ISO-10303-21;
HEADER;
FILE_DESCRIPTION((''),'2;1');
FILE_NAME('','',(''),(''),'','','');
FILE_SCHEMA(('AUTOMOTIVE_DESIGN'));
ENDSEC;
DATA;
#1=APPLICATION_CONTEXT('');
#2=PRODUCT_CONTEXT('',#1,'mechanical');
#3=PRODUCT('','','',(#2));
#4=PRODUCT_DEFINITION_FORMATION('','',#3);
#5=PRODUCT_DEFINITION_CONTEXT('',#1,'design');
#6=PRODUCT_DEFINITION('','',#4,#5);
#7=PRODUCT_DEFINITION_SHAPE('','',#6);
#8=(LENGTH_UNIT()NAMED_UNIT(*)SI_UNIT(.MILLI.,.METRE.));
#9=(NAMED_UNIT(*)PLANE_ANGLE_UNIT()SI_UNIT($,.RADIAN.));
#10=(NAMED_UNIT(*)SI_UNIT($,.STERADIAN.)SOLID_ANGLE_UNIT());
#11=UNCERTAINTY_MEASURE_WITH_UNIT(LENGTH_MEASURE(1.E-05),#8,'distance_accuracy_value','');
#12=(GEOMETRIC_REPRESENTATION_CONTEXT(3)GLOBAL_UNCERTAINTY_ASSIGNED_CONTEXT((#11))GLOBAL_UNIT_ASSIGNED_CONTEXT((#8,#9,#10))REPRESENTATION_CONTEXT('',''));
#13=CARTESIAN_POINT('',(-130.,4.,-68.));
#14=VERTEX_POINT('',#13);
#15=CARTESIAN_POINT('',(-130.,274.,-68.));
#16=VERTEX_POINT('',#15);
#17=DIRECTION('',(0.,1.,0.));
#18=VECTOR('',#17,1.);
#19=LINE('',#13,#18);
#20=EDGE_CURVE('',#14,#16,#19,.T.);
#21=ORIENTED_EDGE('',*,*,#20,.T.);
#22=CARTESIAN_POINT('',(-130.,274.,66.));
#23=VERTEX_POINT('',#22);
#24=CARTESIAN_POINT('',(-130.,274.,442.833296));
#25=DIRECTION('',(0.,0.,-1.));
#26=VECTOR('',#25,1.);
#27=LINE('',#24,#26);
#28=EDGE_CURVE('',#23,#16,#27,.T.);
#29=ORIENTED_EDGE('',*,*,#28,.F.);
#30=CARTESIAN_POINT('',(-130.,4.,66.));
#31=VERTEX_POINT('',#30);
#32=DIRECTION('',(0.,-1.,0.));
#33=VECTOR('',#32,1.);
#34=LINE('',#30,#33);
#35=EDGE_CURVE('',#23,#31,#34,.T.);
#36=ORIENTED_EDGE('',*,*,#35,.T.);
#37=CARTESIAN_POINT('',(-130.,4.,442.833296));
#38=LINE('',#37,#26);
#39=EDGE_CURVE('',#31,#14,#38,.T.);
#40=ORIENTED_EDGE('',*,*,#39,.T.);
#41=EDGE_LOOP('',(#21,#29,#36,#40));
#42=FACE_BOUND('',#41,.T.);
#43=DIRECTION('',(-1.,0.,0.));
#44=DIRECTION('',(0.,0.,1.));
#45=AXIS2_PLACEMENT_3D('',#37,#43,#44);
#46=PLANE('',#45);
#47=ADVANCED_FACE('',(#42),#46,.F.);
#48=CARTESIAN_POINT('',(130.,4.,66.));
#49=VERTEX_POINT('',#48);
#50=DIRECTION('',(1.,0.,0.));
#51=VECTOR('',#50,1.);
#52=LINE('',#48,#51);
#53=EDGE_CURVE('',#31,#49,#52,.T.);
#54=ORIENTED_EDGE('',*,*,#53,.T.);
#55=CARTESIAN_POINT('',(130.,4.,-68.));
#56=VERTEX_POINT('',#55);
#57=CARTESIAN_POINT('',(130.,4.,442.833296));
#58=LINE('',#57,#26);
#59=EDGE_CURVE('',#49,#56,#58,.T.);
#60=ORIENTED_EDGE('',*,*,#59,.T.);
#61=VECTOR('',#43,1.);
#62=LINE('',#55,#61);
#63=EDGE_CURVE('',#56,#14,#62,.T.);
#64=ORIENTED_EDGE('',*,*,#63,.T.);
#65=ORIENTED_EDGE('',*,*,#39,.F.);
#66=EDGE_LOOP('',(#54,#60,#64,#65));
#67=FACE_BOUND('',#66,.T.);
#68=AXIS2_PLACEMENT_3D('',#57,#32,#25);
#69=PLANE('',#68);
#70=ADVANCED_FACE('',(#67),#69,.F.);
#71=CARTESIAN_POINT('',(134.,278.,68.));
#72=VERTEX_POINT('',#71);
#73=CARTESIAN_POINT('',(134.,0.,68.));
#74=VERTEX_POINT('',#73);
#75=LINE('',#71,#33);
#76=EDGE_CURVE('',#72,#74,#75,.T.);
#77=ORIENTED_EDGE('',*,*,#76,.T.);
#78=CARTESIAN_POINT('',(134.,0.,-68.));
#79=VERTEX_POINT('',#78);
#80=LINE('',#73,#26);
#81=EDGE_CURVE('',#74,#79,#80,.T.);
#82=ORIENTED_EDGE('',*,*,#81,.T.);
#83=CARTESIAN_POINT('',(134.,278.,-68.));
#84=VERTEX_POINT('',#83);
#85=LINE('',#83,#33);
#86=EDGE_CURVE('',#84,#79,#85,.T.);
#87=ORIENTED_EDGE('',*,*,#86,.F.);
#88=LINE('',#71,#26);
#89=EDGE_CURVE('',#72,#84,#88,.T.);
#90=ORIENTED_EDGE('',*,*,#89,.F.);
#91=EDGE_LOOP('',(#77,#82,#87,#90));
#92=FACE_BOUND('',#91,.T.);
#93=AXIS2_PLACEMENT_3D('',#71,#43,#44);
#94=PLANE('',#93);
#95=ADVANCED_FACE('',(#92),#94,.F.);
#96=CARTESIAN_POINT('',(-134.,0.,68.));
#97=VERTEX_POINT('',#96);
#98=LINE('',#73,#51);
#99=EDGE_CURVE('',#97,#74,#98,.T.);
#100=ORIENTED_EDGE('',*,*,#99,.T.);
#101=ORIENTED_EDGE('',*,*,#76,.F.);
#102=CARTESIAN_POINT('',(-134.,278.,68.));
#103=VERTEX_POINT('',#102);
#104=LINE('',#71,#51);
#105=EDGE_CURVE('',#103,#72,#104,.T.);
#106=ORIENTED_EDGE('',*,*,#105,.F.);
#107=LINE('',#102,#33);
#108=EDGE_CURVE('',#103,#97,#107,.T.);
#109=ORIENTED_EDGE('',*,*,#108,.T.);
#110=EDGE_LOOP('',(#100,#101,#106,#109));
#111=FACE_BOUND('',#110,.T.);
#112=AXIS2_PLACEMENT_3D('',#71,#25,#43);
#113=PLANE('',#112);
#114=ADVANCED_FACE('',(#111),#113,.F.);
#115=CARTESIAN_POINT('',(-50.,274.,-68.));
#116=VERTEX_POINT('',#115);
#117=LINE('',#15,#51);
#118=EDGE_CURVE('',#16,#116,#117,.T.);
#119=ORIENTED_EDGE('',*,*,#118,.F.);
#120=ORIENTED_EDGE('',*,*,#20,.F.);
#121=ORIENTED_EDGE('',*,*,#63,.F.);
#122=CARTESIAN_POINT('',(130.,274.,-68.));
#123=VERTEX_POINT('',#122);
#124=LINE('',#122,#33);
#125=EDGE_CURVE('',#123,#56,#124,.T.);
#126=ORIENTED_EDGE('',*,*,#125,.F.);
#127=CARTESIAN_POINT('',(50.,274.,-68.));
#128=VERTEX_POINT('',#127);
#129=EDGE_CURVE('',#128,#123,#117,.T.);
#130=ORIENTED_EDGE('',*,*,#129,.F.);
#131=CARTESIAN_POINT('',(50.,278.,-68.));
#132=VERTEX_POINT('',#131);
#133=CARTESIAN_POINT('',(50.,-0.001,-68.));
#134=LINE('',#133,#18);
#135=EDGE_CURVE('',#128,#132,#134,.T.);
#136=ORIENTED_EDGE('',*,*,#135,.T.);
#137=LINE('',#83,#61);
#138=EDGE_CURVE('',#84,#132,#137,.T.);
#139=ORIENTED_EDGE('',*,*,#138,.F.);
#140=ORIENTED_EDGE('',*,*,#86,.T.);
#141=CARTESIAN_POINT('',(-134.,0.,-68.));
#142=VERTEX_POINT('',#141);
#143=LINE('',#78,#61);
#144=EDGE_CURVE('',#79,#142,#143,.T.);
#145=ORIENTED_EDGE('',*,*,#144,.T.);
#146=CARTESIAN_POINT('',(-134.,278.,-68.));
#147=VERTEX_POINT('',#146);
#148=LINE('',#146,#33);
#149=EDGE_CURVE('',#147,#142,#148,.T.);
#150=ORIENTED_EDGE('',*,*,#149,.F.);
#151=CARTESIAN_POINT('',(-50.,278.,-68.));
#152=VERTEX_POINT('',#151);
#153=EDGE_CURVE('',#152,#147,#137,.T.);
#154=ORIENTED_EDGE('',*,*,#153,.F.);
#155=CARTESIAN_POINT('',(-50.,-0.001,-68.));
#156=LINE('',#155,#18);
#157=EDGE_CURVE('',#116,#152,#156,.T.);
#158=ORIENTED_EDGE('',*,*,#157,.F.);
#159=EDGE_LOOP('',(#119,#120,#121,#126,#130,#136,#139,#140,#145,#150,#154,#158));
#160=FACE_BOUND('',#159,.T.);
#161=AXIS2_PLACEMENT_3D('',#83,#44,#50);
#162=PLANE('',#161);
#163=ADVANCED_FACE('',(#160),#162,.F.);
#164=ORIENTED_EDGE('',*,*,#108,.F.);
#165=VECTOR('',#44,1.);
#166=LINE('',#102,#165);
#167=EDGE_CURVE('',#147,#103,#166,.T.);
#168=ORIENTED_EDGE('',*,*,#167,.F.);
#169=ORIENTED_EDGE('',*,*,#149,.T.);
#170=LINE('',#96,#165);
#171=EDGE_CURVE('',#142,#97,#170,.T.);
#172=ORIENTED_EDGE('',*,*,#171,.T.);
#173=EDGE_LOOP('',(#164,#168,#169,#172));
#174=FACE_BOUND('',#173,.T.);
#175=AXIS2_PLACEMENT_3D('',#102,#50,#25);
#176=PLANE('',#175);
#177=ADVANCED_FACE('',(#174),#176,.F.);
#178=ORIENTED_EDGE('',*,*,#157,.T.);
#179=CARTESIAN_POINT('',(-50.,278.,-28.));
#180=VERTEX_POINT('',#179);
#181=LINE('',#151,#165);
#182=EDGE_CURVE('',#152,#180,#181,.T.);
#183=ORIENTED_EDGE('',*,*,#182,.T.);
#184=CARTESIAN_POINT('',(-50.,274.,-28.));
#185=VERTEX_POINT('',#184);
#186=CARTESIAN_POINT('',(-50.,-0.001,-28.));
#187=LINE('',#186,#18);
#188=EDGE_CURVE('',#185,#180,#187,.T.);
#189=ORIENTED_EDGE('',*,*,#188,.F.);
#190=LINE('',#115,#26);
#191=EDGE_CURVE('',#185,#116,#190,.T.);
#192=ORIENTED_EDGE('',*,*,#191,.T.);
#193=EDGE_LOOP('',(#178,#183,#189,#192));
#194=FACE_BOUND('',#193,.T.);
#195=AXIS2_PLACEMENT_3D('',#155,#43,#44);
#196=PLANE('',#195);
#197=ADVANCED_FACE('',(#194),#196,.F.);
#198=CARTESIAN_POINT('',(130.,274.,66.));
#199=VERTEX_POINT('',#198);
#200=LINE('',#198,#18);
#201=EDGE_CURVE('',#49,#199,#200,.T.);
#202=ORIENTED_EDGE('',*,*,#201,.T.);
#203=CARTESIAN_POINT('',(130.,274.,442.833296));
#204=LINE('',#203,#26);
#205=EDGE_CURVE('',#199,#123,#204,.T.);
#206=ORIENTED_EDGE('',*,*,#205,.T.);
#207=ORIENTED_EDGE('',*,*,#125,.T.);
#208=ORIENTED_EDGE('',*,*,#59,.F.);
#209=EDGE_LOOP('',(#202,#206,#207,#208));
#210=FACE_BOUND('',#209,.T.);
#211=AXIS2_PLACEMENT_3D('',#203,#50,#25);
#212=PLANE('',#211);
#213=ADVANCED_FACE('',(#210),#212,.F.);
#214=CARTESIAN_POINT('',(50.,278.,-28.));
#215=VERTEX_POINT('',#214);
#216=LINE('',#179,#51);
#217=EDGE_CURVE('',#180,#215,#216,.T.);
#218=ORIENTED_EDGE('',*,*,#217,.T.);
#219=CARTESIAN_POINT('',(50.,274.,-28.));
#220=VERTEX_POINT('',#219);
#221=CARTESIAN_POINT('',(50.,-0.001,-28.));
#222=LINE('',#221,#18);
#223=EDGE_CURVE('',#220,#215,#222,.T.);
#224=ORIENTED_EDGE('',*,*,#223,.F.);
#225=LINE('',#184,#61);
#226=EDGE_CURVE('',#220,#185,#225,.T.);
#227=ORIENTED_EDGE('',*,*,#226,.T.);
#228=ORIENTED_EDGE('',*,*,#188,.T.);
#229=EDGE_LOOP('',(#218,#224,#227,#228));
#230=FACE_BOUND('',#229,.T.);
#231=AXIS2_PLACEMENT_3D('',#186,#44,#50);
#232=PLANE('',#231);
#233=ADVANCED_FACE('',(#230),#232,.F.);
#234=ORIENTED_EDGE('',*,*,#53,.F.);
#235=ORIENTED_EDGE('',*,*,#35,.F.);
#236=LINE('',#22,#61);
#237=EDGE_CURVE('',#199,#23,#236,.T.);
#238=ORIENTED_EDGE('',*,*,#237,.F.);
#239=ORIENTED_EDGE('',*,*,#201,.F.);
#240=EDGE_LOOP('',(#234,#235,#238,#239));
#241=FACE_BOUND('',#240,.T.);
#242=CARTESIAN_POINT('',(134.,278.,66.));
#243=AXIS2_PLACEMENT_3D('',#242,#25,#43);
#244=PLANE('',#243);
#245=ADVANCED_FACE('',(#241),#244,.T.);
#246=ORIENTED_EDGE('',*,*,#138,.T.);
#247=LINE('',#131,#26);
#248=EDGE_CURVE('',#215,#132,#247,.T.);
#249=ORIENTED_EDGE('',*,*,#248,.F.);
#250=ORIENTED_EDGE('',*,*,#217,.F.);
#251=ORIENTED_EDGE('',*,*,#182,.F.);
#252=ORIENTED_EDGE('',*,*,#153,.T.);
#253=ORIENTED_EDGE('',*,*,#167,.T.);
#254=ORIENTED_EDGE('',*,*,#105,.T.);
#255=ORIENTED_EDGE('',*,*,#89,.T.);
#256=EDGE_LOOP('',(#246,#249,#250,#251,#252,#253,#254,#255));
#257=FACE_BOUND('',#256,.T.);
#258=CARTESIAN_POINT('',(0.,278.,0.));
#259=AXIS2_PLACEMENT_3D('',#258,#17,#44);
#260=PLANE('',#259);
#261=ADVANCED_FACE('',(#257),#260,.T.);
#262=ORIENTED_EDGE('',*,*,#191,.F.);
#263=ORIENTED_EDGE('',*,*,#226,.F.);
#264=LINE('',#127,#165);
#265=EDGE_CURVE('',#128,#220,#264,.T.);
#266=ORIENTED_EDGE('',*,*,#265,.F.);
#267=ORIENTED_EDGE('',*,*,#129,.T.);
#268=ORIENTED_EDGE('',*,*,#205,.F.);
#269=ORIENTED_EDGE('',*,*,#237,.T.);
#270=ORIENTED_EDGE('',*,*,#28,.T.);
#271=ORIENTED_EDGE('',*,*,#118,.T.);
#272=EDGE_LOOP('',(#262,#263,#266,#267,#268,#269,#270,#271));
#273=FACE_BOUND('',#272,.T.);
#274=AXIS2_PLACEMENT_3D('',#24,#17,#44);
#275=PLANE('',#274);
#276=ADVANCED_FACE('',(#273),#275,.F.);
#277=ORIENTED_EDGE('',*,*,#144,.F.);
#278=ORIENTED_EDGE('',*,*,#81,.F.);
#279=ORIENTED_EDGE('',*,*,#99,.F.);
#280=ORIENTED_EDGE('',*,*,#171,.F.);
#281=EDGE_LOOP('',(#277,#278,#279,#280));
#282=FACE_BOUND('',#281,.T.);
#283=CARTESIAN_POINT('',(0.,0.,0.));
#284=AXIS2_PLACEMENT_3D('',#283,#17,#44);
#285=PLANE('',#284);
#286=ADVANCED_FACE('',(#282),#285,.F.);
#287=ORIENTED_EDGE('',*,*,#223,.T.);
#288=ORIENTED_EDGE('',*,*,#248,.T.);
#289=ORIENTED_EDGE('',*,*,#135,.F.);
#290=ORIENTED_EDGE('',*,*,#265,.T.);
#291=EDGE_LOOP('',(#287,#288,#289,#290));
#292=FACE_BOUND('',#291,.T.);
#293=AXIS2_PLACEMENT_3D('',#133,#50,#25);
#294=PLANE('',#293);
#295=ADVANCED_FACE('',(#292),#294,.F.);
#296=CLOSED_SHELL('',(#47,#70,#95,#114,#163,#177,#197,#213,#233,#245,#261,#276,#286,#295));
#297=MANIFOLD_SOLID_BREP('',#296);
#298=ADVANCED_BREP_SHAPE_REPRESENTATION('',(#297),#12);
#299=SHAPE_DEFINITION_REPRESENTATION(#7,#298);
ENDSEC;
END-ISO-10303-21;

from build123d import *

# Parameters (mm, degrees)
SKETCH_1_W          = 268
SKETCH_1_H          = 136
EXTRUDE_1_DEPTH     = 278
SKETCH_2_W          = 260
SKETCH_2_H          = 270
CUT_EXTRUDE_1_DEPTH = 134
CUT_EXTRUDE_2_REACH = 318.013
SKETCH_3_W          = 100
SKETCH_3_H          = 40


with BuildPart() as part:
    # 草图1 → 凸台-拉伸1 (new body)
    with BuildSketch(Plane(origin=(0, 0, 0), x_dir=(1, 0, 0), z_dir=(0, 1, 0))):
        Rectangle(SKETCH_1_W, SKETCH_1_H)
    extrude(amount=EXTRUDE_1_DEPTH)

    # 草图2 → 切除-拉伸1 (cut)
    with BuildSketch(Plane(origin=(0, 0, -68), x_dir=(-1, 0, 0), z_dir=(0, 0, -1))):
        with Locations((0, 139)):
            Rectangle(SKETCH_2_W, SKETCH_2_H)
    extrude(amount=-CUT_EXTRUDE_1_DEPTH, mode=Mode.SUBTRACT)

    # 草图3 → 切除-拉伸2 (cut, up to next)
    with BuildSketch(Plane(origin=(0, 278, 0), x_dir=(1, 0, 0), z_dir=(0, 1, 0)), mode=Mode.PRIVATE) as cut_extrude_2_sk1:
        with Locations((0, 48)):
            Rectangle(SKETCH_3_W, SKETCH_3_H)
    cut_extrude_2_tool1 = extrude(cut_extrude_2_sk1.sketch, amount=-CUT_EXTRUDE_2_REACH, mode=Mode.PRIVATE) & part.part
    add(cut_extrude_2_tool1.solids().sort_by_distance((0, 278, -48))[0], mode=Mode.SUBTRACT)


solid = part.part
